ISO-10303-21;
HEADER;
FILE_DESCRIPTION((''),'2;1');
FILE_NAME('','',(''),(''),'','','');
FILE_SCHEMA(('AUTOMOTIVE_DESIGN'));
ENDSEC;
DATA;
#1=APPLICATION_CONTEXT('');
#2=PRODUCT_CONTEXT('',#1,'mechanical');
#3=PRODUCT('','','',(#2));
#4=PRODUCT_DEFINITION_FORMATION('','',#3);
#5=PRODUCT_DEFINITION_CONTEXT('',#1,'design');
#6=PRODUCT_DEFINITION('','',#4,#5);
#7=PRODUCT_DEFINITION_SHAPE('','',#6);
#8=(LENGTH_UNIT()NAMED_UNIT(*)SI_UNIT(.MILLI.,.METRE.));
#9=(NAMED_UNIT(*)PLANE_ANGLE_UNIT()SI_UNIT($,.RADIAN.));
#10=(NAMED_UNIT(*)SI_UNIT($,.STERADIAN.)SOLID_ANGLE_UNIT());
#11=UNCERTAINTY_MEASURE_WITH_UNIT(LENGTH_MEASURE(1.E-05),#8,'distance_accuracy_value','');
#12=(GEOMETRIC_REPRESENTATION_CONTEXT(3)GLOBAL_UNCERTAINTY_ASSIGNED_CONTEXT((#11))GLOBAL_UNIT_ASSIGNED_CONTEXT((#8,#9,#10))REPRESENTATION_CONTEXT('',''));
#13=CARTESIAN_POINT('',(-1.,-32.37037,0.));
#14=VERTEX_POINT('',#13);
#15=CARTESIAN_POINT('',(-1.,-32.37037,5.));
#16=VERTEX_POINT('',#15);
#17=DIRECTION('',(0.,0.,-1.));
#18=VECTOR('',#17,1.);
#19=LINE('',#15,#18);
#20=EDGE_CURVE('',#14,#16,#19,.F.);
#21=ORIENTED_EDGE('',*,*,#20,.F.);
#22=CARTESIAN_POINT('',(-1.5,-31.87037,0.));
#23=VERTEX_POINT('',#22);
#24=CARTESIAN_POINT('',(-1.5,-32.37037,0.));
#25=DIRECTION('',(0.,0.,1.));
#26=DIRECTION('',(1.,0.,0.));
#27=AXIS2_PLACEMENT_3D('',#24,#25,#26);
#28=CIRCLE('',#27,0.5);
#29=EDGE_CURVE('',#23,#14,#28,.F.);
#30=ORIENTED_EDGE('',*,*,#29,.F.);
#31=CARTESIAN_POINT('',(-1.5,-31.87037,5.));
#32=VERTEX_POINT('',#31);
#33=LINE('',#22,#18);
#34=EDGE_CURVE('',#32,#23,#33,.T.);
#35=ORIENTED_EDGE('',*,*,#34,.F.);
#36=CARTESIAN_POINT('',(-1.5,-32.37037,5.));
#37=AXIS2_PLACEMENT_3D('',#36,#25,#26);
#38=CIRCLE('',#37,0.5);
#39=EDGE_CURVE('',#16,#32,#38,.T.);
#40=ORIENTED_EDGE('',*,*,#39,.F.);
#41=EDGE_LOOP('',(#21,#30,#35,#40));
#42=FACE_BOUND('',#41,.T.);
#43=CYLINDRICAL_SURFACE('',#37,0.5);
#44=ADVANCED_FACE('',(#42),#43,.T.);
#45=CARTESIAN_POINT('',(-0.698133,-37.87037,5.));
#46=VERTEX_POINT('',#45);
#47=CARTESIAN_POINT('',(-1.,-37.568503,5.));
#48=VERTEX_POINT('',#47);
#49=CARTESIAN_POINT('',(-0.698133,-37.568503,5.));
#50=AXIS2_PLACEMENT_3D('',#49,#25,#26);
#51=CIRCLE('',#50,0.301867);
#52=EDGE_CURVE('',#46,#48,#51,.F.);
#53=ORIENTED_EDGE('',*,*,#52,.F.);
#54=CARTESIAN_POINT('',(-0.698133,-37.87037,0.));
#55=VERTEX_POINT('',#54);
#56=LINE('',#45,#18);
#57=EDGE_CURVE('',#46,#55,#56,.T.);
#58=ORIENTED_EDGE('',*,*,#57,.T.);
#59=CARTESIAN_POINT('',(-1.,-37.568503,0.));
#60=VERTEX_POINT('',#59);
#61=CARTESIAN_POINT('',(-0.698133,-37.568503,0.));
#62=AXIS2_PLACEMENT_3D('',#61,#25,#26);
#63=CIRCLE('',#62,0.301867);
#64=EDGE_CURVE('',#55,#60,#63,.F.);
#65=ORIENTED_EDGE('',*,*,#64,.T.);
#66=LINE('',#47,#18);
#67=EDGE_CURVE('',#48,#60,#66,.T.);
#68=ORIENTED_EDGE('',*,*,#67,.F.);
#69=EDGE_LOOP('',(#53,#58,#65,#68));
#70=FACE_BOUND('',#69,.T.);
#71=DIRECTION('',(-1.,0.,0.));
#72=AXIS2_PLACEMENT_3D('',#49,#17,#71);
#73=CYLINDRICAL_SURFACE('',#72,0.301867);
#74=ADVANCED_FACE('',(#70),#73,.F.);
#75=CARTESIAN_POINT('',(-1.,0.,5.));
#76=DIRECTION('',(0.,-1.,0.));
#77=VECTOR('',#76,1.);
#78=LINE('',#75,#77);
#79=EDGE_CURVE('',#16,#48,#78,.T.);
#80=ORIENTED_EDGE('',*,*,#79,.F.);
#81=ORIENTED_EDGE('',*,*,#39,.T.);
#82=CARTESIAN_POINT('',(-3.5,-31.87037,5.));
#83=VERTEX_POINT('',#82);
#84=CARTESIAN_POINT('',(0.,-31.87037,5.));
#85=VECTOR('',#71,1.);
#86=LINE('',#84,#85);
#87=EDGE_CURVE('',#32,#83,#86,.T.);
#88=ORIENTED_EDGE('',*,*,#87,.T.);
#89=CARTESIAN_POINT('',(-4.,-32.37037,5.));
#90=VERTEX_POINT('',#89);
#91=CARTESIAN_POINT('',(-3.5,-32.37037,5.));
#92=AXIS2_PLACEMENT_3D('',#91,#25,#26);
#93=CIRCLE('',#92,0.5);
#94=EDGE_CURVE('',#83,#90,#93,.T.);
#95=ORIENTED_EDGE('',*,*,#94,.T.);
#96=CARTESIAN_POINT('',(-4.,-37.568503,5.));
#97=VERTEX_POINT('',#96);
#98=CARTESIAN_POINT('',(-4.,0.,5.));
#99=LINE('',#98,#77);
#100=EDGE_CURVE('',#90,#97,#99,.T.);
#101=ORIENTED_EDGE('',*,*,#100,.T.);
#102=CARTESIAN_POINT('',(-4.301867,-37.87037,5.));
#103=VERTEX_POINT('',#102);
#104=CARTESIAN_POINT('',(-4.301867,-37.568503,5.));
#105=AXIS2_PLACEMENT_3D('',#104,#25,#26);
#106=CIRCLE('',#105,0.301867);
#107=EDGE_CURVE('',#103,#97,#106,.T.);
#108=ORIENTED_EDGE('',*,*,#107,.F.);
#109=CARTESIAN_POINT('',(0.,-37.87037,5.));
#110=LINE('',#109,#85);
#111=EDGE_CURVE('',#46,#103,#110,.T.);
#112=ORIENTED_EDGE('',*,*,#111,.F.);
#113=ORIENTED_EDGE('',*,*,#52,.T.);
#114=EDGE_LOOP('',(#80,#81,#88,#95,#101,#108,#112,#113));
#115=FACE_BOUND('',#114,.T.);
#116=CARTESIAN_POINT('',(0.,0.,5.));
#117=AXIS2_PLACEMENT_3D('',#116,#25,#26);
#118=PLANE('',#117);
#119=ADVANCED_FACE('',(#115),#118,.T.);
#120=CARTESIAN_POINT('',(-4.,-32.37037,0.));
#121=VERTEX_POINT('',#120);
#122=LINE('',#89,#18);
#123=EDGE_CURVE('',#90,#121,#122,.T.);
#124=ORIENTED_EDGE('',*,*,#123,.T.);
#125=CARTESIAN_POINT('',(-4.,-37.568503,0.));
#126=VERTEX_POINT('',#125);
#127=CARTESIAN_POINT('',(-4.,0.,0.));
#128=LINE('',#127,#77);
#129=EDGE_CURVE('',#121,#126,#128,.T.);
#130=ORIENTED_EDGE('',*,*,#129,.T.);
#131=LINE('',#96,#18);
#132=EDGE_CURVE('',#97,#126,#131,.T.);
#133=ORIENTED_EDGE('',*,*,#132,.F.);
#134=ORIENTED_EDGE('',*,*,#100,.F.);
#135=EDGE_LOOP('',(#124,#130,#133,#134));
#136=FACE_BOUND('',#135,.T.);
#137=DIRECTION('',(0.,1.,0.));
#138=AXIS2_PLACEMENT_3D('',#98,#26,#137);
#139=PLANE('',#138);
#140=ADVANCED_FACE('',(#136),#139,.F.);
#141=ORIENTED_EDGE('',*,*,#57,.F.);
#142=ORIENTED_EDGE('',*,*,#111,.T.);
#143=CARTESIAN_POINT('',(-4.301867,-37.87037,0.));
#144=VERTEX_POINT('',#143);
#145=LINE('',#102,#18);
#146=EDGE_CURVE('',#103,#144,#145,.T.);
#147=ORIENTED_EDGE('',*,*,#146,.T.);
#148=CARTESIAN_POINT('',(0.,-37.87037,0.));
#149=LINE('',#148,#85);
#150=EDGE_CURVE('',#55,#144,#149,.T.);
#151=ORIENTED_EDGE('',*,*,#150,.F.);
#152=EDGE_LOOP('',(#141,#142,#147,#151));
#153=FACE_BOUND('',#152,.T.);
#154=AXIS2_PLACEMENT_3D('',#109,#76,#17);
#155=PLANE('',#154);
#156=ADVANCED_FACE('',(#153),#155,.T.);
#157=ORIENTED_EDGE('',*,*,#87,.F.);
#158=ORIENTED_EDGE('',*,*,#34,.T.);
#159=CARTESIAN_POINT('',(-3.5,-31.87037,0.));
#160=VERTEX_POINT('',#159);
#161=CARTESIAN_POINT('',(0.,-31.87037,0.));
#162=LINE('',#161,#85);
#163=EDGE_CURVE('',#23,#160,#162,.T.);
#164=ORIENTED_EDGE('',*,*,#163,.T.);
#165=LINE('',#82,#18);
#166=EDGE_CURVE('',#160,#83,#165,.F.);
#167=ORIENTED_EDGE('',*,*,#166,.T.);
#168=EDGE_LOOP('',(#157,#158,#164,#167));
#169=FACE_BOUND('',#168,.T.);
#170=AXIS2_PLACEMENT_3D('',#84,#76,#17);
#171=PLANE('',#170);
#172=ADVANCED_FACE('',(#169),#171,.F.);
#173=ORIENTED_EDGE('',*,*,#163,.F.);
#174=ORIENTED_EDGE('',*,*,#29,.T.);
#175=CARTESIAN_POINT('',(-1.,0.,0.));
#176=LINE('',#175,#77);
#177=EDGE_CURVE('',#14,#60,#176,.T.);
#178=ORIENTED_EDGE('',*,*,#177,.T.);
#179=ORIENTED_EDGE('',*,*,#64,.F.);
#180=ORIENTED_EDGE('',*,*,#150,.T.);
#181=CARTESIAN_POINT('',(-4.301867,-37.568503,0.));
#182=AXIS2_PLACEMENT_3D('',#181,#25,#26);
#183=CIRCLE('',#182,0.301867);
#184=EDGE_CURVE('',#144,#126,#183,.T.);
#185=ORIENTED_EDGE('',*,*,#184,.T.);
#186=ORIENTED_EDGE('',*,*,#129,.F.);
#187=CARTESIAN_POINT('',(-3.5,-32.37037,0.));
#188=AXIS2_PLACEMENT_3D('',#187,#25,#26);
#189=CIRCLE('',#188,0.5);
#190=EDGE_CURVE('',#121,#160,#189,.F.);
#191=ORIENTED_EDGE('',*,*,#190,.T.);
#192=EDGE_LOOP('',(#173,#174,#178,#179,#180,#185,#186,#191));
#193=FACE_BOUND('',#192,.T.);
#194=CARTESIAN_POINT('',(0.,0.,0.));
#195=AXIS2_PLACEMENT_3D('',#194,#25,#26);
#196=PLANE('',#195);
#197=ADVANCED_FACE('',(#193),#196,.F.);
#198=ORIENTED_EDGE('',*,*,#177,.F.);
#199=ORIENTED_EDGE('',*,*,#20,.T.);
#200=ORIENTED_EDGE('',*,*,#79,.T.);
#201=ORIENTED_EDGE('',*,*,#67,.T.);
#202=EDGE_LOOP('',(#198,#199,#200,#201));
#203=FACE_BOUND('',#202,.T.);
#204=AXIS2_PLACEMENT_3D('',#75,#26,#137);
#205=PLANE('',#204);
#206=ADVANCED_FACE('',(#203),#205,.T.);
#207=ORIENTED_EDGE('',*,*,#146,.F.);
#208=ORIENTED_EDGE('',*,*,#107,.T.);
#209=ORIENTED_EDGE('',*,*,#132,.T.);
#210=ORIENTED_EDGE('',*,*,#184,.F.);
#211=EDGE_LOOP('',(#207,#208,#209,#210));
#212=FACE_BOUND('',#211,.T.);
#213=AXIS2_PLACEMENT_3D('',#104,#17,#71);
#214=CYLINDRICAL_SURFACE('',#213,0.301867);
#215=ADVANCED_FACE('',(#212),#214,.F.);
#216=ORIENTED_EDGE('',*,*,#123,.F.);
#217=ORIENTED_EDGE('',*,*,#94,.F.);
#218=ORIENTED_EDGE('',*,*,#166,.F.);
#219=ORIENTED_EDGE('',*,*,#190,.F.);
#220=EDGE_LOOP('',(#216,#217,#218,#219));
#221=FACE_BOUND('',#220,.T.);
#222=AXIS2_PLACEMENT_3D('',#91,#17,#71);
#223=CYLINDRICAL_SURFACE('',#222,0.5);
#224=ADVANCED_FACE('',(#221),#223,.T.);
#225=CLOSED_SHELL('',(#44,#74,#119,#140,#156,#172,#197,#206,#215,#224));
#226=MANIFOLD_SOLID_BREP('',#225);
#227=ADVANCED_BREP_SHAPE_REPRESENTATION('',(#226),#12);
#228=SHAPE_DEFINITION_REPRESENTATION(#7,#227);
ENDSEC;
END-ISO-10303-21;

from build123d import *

# Parameters (mm, degrees)
ESBO_O1_W                = 1.5
ESBO_O1_H                = 6
RESSALTO_EXTRUS_O1_DEPTH = 5
FILETE1_R                = 0.5
RESSALTO_EXTRUS_O2_DEPTH = 5


with BuildPart() as part:
    # Esboço1 → Ressalto-extrusão1 (new body)
    with BuildSketch(Plane.XY):
        with Locations((-3.25, -34.87037037)):
            Rectangle(ESBO_O1_W, ESBO_O1_H)
        with Locations((-1.75, -34.87037037)):
            Rectangle(ESBO_O1_W, ESBO_O1_H)
    extrude(amount=RESSALTO_EXTRUS_O1_DEPTH)

    # Filete1
    filete1_edges = [part.edges().sort_by_distance(p)[0] for p in [
        (-1, -31.87037037, 2.5),
        (-4, -31.87037037, 2.5),
    ]]
    fillet(filete1_edges, radius=FILETE1_R)

    # Esboço1<5> → Ressalto-extrusão2 (add, through all)
    with BuildSketch(Plane.XY):
        with BuildLine():
            Line((-4.301867323, -37.87037037), (-4, -37.87037037))
            Line((-4, -37.87037037), (-4, -37.568503047))
            ThreePointArc((-4, -37.568503047), (-4.088414892, -37.781955478), (-4.301867323, -37.87037037))
        make_face()
        with BuildLine():
            Line((-1, -37.568503047), (-1, -37.87037037))
            Line((-1, -37.87037037), (-0.698132677, -37.87037037))
            ThreePointArc((-0.698132677, -37.87037037), (-0.911585108, -37.781955478), (-1, -37.568503047))
        make_face()
    extrude(amount=RESSALTO_EXTRUS_O2_DEPTH)


solid = part.part
